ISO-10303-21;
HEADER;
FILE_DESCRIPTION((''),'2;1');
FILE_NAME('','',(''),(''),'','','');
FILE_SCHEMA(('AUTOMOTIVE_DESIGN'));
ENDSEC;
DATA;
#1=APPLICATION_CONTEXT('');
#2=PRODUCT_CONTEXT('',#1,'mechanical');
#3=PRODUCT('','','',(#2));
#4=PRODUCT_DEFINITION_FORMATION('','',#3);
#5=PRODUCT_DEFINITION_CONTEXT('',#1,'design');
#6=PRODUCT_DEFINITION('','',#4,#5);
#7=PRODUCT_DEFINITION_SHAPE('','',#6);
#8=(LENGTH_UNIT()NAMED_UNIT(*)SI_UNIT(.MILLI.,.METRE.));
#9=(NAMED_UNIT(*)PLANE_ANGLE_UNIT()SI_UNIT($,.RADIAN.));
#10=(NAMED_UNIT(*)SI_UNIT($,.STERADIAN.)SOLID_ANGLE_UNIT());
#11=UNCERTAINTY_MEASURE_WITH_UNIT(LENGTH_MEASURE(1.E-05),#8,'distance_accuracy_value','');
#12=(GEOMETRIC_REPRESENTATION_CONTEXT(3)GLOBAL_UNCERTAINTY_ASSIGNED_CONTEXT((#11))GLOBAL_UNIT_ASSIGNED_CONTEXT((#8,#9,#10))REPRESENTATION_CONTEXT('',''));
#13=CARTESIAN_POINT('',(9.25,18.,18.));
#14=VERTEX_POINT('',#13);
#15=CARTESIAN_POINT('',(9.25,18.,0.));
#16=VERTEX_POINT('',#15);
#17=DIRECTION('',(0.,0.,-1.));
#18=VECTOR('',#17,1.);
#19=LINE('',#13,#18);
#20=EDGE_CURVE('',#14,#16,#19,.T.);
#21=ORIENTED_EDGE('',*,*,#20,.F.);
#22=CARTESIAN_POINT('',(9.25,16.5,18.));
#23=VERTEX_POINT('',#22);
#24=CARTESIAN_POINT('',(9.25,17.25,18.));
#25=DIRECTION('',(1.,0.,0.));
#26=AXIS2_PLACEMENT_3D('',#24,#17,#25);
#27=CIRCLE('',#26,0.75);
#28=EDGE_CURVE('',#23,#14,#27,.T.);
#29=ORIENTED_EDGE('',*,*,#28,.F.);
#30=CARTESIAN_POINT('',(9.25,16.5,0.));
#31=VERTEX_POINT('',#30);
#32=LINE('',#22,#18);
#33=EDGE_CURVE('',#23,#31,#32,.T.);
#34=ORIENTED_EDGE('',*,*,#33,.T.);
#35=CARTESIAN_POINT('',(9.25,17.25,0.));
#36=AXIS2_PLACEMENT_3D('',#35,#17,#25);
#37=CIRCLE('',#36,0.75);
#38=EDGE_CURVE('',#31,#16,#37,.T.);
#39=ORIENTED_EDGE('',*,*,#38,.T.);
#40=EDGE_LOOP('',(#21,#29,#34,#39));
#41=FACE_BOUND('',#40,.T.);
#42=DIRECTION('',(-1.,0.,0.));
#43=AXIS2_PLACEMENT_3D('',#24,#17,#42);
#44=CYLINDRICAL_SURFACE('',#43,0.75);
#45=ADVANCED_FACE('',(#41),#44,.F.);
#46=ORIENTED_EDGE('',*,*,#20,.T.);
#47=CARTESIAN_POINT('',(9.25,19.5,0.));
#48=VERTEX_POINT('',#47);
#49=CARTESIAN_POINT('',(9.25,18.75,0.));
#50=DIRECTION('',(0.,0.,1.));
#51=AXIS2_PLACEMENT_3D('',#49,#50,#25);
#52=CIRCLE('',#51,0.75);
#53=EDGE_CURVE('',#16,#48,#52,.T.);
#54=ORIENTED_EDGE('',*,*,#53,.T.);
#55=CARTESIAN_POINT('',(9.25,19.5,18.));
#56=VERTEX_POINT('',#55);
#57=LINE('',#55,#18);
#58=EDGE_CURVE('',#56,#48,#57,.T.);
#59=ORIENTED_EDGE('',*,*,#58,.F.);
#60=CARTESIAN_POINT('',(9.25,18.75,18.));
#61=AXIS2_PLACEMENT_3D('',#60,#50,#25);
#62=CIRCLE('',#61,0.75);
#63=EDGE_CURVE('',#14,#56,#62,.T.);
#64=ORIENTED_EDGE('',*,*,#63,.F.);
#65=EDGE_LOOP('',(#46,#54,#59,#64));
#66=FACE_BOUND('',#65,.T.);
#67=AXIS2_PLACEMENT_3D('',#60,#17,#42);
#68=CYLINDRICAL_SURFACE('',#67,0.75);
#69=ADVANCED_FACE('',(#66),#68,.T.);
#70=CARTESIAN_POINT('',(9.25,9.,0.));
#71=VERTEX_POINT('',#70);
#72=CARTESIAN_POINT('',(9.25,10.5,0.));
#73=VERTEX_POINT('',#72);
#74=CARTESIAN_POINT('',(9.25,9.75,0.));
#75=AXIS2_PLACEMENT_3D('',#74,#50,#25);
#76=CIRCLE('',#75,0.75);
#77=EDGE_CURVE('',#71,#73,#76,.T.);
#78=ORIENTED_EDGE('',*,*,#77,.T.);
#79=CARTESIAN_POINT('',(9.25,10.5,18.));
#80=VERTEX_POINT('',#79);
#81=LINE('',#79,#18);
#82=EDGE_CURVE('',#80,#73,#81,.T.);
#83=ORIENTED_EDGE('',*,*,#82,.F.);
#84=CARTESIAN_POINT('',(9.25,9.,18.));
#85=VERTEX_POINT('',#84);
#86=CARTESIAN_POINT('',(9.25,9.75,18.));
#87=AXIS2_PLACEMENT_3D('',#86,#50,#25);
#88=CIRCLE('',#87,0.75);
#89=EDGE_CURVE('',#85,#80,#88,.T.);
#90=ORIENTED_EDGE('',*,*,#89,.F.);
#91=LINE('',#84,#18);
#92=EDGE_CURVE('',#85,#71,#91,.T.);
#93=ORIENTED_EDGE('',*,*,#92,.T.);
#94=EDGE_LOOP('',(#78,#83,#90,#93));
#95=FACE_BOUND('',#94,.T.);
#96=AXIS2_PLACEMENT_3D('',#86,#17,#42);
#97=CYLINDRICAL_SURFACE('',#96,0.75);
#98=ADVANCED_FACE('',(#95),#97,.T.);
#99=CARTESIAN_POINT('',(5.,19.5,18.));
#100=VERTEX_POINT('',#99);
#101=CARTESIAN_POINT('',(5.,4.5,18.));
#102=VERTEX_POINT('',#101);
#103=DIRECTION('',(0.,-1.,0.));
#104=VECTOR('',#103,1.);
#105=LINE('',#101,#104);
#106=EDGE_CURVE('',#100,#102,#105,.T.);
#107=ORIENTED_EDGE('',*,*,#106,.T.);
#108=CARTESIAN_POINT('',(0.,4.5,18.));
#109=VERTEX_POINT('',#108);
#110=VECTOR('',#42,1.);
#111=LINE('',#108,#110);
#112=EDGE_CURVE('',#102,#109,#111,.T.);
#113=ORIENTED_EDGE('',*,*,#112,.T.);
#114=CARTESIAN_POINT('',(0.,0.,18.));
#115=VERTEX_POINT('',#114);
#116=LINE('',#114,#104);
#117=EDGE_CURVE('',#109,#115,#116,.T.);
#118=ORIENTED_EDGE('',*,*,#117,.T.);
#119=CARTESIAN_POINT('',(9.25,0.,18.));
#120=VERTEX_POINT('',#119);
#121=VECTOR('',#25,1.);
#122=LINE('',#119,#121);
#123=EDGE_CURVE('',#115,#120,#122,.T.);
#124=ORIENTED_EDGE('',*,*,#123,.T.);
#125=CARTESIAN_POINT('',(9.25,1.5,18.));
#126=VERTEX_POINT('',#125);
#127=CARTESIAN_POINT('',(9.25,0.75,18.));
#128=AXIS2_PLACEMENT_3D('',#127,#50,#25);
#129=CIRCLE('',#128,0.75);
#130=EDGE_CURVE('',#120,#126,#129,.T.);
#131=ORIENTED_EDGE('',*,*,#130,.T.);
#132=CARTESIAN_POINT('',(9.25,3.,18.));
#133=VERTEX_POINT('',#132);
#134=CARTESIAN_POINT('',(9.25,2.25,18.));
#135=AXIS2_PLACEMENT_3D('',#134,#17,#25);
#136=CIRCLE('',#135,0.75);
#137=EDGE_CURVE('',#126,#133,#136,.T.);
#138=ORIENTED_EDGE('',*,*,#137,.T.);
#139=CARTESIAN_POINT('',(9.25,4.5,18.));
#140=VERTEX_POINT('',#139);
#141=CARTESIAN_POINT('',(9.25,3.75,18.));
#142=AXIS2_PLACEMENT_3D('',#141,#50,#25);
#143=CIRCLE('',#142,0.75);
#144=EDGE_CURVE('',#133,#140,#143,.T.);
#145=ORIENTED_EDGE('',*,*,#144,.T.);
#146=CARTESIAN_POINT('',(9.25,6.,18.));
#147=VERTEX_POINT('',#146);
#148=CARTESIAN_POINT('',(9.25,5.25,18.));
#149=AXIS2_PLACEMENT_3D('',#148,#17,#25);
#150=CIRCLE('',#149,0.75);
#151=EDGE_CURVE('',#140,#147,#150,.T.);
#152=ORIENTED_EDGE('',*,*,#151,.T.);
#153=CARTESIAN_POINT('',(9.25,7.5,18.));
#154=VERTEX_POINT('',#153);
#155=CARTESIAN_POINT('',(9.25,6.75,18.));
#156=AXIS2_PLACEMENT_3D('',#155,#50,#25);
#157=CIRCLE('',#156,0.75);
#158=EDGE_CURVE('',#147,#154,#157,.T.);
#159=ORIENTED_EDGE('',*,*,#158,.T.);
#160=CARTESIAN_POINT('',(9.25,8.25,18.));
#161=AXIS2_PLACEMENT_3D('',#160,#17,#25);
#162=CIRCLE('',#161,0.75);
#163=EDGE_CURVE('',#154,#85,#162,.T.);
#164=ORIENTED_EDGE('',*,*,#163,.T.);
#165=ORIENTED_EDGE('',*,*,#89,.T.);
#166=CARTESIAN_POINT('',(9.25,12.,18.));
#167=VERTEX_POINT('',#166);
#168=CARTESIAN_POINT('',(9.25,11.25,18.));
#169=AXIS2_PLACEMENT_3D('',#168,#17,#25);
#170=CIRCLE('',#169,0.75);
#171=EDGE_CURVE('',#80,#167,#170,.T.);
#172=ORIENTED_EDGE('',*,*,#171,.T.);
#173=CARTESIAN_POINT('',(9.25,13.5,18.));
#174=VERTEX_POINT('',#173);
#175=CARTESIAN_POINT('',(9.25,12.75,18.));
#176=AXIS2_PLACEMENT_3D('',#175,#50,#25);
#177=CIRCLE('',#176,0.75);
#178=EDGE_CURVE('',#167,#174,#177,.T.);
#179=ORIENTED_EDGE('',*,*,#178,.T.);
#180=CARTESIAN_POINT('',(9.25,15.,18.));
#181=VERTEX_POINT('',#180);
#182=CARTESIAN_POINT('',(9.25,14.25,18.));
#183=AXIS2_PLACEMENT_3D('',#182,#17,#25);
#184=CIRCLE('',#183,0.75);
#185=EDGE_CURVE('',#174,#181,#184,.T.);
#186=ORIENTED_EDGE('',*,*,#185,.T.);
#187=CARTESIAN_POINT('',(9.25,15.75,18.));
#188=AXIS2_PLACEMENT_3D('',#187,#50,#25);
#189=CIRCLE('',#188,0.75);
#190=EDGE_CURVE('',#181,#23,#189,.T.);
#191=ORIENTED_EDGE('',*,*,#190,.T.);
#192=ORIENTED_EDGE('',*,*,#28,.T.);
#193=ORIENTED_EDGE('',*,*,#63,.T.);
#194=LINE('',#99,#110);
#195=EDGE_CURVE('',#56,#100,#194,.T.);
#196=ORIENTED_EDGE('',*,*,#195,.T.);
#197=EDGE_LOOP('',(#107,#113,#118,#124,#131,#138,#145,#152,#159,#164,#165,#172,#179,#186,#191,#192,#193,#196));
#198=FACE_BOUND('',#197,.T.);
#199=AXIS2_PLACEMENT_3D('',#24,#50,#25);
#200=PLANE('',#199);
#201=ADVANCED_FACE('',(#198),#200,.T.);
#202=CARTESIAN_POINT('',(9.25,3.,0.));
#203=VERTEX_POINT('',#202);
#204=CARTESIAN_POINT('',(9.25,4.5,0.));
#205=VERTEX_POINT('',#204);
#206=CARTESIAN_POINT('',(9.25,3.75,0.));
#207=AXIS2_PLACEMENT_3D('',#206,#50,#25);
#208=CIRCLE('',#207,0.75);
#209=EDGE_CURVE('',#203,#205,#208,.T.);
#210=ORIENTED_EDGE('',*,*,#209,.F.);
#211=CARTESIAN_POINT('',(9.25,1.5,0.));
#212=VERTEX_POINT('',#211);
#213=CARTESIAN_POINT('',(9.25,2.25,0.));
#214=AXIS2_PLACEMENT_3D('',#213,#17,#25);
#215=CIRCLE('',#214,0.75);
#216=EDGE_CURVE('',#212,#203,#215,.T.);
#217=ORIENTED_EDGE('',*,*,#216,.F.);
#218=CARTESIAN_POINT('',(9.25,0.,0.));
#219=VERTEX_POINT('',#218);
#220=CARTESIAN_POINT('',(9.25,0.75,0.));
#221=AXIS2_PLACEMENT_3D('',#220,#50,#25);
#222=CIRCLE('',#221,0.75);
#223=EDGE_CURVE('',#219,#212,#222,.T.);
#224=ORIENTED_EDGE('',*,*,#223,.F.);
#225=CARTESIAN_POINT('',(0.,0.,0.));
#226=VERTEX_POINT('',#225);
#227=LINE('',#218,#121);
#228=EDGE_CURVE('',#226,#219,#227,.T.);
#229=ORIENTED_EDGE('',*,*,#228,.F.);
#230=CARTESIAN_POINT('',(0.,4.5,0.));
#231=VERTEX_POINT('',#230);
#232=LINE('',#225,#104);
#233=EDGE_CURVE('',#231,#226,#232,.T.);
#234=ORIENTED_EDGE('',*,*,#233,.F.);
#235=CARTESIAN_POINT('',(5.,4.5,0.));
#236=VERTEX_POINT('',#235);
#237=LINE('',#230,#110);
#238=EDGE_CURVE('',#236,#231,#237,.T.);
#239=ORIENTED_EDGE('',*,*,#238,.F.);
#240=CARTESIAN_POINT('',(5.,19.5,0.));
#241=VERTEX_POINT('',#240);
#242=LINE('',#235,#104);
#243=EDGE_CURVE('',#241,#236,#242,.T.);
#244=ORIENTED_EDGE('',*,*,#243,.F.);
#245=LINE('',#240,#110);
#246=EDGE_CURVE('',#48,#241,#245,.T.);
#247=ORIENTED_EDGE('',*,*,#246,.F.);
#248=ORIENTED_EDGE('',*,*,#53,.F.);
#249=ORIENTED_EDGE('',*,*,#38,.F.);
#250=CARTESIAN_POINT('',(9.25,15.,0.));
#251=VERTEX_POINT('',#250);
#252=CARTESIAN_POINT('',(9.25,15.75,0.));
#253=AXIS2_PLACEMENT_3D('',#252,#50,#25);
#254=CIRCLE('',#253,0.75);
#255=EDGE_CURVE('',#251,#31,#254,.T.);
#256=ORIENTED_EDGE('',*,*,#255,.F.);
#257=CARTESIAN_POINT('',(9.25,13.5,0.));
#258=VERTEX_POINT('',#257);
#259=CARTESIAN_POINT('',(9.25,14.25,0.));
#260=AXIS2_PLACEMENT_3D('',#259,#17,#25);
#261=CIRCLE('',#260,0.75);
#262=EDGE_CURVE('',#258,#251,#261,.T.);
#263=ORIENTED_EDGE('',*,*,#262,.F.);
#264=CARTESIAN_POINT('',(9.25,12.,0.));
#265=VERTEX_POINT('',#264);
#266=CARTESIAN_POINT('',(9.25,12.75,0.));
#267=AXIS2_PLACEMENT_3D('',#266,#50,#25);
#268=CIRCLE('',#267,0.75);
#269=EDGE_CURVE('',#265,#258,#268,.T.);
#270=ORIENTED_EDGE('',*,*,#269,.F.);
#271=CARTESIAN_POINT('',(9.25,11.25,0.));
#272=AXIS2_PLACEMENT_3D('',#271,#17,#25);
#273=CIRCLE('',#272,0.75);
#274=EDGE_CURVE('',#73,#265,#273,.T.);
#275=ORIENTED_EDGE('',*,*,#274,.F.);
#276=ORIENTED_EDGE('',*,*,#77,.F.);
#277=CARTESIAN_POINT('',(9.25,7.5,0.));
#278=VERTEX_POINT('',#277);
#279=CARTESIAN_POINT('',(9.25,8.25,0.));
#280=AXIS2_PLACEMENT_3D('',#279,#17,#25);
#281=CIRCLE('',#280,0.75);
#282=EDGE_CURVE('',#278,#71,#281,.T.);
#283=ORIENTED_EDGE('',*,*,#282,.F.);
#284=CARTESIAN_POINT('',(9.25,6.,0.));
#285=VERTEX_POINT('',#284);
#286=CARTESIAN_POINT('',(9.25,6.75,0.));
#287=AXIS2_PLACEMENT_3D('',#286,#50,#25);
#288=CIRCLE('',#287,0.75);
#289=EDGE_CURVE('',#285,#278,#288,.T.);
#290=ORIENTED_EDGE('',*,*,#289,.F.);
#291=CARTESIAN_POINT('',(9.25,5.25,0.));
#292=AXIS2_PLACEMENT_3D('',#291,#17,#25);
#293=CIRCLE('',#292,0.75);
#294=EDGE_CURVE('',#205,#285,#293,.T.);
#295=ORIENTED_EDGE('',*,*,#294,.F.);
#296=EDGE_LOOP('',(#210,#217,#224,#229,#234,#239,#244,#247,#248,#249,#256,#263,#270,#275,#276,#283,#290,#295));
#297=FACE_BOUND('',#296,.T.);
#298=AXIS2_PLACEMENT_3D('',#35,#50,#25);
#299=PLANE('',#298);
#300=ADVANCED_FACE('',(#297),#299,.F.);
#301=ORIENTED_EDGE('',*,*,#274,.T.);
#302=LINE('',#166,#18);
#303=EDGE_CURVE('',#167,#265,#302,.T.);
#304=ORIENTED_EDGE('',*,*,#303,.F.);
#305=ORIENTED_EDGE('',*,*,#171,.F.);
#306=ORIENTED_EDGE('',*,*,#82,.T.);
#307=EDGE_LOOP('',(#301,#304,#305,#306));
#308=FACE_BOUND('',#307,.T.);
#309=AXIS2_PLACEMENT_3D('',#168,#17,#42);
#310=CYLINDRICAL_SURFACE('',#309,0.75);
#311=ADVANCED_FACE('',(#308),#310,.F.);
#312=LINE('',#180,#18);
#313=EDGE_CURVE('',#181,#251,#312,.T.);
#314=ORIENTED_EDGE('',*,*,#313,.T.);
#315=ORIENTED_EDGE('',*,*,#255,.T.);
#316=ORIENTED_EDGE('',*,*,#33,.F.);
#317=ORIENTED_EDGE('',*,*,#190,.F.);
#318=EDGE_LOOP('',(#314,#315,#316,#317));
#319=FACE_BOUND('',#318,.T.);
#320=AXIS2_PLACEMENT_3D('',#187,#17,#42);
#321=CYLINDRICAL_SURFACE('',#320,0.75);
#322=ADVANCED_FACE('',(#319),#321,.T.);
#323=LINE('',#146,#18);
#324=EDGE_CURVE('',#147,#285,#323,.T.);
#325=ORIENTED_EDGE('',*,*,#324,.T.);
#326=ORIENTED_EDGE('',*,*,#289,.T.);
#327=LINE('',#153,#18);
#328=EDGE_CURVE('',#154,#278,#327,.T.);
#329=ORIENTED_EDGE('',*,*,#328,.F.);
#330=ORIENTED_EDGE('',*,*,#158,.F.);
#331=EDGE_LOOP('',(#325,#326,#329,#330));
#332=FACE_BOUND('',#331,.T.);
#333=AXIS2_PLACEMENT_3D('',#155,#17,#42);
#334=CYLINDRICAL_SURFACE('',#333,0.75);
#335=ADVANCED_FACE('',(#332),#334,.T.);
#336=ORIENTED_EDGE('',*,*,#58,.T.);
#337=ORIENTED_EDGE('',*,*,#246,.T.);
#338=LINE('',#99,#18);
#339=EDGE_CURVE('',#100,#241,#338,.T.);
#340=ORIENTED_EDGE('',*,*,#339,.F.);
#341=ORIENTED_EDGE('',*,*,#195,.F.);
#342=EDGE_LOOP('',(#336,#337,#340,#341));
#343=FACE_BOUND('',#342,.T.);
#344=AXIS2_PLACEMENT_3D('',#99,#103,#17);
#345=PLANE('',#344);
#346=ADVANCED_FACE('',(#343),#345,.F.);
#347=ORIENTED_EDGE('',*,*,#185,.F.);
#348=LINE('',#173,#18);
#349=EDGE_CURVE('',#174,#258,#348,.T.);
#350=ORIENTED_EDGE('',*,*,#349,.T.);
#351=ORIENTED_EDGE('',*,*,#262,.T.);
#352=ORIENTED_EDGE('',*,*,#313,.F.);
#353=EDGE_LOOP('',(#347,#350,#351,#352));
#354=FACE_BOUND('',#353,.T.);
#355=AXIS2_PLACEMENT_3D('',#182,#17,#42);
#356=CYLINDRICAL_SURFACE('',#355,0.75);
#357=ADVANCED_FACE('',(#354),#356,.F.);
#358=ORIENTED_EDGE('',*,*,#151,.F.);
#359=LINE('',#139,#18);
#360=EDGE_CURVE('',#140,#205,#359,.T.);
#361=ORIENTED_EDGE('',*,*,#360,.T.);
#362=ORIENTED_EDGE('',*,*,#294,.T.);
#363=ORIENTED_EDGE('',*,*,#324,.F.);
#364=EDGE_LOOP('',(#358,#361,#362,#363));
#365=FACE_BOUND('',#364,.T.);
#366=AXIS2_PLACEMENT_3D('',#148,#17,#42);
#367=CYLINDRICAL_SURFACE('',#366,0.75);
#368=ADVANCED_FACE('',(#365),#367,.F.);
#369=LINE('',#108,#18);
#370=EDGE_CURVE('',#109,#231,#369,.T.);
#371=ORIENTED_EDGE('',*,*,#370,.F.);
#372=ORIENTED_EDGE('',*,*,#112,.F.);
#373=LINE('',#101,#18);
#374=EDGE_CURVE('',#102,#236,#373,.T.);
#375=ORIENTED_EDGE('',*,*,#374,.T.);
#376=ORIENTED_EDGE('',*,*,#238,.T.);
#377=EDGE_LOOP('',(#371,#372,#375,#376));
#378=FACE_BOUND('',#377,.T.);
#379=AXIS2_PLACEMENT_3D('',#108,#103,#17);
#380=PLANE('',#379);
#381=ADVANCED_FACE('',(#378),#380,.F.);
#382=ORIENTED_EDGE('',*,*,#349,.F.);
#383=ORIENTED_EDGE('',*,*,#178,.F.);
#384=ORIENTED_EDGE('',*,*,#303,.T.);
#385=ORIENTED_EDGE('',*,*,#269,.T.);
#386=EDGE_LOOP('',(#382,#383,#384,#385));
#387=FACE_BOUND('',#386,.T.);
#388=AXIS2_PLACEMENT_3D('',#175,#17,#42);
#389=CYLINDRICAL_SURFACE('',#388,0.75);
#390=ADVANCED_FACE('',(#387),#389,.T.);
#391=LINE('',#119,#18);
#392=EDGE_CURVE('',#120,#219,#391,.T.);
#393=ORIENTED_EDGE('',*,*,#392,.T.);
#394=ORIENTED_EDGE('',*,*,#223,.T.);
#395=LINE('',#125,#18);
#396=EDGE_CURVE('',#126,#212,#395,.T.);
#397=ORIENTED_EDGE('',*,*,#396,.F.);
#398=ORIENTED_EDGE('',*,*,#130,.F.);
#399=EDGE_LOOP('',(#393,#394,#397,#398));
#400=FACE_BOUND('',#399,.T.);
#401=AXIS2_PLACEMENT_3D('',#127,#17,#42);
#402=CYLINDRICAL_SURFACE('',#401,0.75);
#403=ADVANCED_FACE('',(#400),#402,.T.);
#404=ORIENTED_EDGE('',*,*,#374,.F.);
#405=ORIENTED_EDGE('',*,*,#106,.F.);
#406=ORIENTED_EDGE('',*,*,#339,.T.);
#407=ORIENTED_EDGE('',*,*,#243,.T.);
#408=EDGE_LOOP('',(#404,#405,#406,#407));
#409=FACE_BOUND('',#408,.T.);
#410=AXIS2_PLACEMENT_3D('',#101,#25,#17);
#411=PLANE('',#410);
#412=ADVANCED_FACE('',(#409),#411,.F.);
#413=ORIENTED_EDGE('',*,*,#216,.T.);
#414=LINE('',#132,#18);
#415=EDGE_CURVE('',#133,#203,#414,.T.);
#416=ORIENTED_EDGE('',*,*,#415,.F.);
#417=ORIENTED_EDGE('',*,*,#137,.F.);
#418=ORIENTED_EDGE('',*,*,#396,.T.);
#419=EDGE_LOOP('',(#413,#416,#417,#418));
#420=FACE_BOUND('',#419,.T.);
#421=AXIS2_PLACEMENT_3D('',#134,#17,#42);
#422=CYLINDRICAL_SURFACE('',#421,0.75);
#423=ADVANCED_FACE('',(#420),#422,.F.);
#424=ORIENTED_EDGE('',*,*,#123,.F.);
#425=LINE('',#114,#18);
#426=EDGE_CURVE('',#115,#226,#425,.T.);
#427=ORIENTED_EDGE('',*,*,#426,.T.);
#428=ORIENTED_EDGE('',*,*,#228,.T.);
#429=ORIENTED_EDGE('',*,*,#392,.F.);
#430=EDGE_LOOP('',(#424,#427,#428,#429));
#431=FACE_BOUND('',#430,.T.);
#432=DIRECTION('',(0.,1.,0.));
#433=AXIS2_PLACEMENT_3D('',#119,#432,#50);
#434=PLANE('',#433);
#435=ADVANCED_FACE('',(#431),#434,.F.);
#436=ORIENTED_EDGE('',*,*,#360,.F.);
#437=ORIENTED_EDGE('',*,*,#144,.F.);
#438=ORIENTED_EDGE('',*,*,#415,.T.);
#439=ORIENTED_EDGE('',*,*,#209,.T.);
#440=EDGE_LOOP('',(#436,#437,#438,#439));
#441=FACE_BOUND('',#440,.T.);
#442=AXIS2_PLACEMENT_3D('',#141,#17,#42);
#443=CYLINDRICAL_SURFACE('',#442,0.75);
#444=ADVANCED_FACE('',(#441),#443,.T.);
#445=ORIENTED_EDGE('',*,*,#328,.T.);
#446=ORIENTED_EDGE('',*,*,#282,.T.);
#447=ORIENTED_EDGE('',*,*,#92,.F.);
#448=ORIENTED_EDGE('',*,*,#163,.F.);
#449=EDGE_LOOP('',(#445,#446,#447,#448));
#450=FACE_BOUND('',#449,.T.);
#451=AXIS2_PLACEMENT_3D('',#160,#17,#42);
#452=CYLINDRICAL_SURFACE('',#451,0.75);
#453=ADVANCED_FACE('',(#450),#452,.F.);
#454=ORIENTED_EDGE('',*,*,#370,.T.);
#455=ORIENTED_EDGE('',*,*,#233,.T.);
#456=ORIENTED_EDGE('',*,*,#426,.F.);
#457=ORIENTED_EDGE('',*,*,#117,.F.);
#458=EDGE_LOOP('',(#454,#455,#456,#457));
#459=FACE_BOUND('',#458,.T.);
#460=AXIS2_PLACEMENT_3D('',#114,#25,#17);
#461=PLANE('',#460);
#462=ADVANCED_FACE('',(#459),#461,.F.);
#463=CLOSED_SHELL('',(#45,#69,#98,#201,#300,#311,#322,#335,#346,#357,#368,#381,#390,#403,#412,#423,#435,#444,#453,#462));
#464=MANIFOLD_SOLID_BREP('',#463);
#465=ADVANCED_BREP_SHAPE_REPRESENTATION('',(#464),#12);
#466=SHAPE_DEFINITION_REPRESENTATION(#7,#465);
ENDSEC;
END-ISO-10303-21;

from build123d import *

# Parameters (mm, degrees)
EXTRUDE_1_DEPTH = 18


with BuildPart() as part:
    # 草图1 → 凸台-拉伸1 (new body)
    with BuildSketch(Plane.XY):
        with BuildLine():
            Line((5, 4.5), (5, 19.5))
            Line((5, 19.5), (9.25, 19.5))
            ThreePointArc((9.25, 19.5), (10, 18.75), (9.25, 18))
            ThreePointArc((9.25, 18), (8.5, 17.25), (9.25, 16.5))
            ThreePointArc((9.25, 16.5), (10, 15.75), (9.25, 15))
            ThreePointArc((9.25, 15), (8.5, 14.25), (9.25, 13.5))
            ThreePointArc((9.25, 13.5), (10, 12.75), (9.25, 12))
            ThreePointArc((9.25, 12), (8.5, 11.25), (9.25, 10.5))
            ThreePointArc((9.25, 10.5), (10, 9.75), (9.25, 9))
            ThreePointArc((9.25, 9), (8.5, 8.25), (9.25, 7.5))
            ThreePointArc((9.25, 7.5), (10, 6.75), (9.25, 6))
            ThreePointArc((9.25, 6), (8.5, 5.25), (9.25, 4.5))
            ThreePointArc((9.25, 4.5), (10, 3.75), (9.25, 3))
            ThreePointArc((9.25, 3), (8.5, 2.25), (9.25, 1.5))
            ThreePointArc((9.25, 1.5), (10, 0.75), (9.25, 0))
            Line((9.25, 0), (0, 0))
            Line((0, 0), (0, 4.5))
            Line((0, 4.5), (5, 4.5))
        make_face()
    extrude(amount=EXTRUDE_1_DEPTH)


solid = part.part
